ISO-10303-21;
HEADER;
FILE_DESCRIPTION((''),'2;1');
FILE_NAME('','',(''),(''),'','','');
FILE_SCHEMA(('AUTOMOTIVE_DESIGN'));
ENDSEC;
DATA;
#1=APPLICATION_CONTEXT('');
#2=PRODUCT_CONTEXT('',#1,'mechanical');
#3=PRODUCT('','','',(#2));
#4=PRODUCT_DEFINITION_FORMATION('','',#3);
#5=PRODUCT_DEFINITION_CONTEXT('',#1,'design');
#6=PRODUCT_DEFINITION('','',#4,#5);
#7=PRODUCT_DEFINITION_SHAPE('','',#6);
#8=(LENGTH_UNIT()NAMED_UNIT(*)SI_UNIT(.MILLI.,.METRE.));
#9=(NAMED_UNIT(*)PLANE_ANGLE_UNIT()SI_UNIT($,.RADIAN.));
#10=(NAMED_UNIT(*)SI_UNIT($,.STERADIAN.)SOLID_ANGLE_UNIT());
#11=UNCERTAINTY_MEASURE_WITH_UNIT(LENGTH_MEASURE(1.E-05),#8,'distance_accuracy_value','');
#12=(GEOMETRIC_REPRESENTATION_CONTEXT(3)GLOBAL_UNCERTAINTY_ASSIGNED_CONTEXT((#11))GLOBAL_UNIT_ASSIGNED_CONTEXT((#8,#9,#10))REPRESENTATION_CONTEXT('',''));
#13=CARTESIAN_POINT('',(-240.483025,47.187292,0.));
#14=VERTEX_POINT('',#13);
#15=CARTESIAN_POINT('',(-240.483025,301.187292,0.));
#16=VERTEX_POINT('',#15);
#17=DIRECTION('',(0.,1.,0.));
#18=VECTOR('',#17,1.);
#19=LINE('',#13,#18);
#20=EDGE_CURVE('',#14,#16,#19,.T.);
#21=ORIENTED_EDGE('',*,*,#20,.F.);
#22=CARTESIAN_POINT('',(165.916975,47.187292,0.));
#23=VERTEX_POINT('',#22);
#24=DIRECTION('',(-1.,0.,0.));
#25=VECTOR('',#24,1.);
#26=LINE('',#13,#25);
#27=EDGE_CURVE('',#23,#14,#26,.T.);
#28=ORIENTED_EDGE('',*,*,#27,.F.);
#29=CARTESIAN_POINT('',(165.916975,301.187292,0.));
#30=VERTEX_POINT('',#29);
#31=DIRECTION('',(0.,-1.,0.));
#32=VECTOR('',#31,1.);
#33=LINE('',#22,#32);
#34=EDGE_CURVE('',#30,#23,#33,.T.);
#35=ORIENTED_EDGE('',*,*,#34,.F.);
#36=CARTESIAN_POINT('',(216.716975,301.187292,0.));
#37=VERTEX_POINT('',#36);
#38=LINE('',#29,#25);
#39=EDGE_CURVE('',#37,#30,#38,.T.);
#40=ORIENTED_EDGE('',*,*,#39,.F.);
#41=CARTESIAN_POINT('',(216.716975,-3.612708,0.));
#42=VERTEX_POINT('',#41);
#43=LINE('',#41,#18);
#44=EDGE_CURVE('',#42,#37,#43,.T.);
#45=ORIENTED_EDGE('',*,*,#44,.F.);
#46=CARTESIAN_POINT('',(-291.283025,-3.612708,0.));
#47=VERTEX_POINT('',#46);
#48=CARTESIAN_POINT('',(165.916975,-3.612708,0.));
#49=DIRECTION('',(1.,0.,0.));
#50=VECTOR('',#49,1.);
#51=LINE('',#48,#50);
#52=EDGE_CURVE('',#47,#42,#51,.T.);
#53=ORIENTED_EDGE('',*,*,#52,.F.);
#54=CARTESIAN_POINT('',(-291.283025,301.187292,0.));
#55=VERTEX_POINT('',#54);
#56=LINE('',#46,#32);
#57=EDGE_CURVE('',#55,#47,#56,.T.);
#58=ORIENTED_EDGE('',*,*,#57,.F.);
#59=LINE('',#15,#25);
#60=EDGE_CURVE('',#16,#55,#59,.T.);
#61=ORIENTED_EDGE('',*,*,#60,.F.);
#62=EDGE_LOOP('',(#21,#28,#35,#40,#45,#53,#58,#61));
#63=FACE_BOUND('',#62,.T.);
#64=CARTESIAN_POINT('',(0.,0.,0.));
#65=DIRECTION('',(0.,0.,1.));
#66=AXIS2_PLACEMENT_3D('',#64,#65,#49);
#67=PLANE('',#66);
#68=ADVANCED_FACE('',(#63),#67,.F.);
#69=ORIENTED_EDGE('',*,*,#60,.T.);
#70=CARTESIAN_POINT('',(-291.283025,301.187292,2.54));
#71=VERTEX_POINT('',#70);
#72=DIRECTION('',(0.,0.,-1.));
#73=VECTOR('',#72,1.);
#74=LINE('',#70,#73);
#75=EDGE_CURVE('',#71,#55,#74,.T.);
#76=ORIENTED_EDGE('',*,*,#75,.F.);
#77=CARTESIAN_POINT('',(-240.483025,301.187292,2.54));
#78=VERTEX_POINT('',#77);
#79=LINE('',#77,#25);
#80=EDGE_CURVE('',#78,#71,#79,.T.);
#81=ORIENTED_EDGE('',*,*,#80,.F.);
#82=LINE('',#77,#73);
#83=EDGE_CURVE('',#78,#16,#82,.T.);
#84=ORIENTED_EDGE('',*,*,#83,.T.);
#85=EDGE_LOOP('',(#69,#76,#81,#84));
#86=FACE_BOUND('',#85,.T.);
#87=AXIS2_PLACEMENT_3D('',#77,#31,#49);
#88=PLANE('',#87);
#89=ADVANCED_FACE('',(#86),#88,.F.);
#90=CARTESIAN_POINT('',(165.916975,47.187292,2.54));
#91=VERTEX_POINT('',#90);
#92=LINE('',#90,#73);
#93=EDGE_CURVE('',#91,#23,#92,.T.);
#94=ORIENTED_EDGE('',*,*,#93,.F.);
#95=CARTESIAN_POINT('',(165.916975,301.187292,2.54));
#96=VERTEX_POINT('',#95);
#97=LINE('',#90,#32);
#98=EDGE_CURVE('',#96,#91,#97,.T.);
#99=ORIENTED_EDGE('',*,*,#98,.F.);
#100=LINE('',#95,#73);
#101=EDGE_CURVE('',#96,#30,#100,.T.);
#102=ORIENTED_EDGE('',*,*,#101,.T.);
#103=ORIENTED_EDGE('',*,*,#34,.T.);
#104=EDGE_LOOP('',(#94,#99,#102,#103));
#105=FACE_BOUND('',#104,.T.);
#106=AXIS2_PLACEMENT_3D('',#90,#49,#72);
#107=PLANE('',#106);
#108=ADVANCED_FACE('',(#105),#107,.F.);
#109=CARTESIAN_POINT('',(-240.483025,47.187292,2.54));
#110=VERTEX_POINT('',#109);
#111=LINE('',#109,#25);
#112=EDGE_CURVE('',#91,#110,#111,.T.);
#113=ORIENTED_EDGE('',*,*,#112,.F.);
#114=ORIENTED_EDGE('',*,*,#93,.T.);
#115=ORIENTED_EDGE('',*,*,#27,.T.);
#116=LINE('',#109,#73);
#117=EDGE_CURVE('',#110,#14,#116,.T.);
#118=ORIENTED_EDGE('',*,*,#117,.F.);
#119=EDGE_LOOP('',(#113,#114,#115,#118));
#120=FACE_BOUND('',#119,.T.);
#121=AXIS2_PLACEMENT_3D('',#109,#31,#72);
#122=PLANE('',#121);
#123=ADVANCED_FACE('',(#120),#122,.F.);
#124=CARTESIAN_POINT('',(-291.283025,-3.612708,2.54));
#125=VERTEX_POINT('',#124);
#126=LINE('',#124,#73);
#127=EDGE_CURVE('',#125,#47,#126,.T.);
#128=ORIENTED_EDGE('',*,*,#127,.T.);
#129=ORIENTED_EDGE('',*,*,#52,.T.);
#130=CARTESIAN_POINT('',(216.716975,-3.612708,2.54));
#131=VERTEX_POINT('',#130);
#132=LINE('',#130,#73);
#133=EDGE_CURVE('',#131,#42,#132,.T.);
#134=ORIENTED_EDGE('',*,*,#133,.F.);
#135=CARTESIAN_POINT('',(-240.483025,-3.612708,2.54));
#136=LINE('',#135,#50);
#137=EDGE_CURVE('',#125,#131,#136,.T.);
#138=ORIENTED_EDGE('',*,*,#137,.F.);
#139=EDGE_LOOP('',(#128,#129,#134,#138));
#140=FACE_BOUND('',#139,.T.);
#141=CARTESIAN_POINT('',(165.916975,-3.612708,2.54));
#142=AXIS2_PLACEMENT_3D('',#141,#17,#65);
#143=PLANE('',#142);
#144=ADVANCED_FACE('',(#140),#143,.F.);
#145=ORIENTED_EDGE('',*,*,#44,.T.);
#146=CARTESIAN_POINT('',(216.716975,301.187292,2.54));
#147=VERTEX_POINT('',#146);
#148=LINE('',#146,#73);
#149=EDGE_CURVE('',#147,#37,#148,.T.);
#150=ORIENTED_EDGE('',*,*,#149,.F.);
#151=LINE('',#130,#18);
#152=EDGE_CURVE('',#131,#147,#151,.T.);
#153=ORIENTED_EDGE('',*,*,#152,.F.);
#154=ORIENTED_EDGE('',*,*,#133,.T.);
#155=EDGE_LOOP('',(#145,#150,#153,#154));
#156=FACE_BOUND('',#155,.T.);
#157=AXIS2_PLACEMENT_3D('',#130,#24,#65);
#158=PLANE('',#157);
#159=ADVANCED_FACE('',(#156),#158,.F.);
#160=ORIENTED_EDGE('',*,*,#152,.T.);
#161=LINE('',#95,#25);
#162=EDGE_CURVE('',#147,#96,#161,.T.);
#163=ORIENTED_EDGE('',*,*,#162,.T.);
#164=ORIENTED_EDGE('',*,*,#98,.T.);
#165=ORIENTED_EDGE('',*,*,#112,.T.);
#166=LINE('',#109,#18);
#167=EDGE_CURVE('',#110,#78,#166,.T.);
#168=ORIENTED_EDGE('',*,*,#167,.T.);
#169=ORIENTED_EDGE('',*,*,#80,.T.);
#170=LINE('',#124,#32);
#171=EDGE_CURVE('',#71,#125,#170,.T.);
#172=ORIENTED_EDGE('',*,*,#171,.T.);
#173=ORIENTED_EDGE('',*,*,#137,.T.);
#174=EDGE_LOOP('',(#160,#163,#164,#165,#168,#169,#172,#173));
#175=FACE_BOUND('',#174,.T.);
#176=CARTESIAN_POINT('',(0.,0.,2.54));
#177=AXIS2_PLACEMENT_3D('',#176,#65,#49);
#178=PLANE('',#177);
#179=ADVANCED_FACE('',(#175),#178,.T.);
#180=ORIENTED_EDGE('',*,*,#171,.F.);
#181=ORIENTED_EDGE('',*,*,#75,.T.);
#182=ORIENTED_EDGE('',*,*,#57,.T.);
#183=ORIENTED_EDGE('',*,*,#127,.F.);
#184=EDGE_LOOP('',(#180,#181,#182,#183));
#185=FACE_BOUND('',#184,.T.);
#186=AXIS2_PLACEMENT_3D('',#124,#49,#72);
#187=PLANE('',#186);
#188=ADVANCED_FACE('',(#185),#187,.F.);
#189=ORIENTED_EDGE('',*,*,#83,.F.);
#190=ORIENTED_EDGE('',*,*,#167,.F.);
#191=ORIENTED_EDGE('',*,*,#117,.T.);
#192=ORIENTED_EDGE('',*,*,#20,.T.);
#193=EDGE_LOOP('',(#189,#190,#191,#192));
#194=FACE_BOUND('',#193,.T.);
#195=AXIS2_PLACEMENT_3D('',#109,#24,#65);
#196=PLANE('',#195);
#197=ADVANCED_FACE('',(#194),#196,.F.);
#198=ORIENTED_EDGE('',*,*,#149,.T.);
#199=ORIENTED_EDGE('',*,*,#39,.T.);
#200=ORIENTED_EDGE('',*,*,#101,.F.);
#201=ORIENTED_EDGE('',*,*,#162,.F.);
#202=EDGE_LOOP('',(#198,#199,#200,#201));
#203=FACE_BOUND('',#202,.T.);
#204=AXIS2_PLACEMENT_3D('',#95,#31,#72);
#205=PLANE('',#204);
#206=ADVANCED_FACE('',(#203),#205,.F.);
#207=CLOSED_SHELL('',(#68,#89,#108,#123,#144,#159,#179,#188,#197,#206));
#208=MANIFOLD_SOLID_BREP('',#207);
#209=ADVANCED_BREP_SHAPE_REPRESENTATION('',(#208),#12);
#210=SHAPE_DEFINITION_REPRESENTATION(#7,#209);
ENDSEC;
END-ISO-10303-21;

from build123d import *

# Parameters (mm, degrees)
BOSS_EXTRUDE1_DEPTH = 2.54


with BuildPart() as part:
    # Sketch2 → Boss-Extrude1 (new body)
    with BuildSketch(Plane.XY):
        Polygon((-240.483025281, 47.18729168), (165.916974719, 47.18729168), (165.916974719, 301.18729168), (216.716974719, 301.18729168), (216.716974719, -3.61270832), (165.916974719, -3.61270832), (-240.483025281, -3.61270832), (-291.283025281, -3.61270832), (-291.283025281, 301.18729168), (-240.483025281, 301.18729168), align=None)
    extrude(amount=BOSS_EXTRUDE1_DEPTH)


solid = part.part
